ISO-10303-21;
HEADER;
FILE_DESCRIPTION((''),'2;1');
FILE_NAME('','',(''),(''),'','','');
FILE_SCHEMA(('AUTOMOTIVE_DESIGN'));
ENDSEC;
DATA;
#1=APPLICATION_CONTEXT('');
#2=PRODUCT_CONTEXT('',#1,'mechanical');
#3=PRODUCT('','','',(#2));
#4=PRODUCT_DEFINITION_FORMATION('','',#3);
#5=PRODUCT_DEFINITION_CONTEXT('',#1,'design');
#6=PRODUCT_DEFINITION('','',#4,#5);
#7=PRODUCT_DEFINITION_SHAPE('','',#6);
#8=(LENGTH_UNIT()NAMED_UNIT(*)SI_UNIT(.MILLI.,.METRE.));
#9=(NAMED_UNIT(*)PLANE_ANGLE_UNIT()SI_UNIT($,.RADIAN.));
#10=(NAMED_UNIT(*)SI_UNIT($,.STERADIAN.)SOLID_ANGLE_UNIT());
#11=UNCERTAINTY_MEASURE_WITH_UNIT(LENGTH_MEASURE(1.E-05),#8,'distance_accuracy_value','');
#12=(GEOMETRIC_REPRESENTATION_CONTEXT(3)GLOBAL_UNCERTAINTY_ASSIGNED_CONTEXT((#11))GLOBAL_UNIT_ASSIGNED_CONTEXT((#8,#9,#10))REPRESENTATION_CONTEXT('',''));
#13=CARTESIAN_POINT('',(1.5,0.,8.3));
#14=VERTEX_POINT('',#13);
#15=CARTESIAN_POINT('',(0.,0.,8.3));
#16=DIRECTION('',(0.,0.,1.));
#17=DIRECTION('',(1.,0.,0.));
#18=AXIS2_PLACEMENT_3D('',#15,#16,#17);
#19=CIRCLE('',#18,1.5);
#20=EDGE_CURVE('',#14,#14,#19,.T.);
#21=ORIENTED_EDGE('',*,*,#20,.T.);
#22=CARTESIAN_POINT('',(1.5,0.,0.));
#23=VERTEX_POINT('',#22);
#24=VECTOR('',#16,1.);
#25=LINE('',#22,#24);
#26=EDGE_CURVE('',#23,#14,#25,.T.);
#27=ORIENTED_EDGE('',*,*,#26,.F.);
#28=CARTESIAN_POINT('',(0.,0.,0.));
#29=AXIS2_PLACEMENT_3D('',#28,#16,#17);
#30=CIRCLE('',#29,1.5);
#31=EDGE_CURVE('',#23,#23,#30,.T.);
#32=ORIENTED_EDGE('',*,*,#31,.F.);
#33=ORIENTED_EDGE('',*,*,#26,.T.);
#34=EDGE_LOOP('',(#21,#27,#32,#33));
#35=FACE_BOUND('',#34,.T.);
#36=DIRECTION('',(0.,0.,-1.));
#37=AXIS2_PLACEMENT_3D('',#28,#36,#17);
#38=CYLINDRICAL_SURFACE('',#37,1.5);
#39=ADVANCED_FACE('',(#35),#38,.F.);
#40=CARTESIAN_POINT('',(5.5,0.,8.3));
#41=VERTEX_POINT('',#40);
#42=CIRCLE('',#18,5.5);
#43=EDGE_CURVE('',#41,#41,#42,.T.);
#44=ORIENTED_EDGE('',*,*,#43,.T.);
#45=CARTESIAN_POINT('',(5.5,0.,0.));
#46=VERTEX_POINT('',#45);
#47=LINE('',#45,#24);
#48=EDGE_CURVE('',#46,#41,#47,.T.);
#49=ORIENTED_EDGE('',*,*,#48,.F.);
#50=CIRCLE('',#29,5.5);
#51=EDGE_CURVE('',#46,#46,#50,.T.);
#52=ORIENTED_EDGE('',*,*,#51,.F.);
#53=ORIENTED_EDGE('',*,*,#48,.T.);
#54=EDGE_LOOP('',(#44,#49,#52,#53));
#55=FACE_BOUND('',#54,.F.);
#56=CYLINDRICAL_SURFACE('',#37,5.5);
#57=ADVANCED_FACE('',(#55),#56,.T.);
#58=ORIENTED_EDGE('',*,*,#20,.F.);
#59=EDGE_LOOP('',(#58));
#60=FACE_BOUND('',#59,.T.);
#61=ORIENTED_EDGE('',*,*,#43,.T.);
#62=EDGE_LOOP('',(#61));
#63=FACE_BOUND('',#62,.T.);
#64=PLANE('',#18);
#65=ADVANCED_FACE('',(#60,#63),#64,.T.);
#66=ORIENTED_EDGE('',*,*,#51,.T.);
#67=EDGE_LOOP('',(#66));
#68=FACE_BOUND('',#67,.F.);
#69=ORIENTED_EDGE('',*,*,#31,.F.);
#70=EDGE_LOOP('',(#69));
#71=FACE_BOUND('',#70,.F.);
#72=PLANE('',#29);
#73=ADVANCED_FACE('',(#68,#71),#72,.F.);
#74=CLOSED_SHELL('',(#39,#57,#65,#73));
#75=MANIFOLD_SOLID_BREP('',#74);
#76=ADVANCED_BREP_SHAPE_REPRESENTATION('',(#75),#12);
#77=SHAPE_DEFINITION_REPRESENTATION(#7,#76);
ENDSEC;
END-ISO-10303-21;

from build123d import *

# Parameters (mm, degrees)
F0_R     = 5.5
F0_R_2   = 4.75
F0_R_3   = 1.5
F1_DEPTH = 8.3


with BuildPart() as f1:
    # F0 (on Top) → F1 (new body)
    with BuildSketch(Plane.XY):
        Circle(F0_R)
        Circle(F0_R_2, mode=Mode.SUBTRACT)
        Circle(F0_R_2)
        Circle(F0_R_3, mode=Mode.SUBTRACT)
    extrude(amount=F1_DEPTH)


solid = f1.part
